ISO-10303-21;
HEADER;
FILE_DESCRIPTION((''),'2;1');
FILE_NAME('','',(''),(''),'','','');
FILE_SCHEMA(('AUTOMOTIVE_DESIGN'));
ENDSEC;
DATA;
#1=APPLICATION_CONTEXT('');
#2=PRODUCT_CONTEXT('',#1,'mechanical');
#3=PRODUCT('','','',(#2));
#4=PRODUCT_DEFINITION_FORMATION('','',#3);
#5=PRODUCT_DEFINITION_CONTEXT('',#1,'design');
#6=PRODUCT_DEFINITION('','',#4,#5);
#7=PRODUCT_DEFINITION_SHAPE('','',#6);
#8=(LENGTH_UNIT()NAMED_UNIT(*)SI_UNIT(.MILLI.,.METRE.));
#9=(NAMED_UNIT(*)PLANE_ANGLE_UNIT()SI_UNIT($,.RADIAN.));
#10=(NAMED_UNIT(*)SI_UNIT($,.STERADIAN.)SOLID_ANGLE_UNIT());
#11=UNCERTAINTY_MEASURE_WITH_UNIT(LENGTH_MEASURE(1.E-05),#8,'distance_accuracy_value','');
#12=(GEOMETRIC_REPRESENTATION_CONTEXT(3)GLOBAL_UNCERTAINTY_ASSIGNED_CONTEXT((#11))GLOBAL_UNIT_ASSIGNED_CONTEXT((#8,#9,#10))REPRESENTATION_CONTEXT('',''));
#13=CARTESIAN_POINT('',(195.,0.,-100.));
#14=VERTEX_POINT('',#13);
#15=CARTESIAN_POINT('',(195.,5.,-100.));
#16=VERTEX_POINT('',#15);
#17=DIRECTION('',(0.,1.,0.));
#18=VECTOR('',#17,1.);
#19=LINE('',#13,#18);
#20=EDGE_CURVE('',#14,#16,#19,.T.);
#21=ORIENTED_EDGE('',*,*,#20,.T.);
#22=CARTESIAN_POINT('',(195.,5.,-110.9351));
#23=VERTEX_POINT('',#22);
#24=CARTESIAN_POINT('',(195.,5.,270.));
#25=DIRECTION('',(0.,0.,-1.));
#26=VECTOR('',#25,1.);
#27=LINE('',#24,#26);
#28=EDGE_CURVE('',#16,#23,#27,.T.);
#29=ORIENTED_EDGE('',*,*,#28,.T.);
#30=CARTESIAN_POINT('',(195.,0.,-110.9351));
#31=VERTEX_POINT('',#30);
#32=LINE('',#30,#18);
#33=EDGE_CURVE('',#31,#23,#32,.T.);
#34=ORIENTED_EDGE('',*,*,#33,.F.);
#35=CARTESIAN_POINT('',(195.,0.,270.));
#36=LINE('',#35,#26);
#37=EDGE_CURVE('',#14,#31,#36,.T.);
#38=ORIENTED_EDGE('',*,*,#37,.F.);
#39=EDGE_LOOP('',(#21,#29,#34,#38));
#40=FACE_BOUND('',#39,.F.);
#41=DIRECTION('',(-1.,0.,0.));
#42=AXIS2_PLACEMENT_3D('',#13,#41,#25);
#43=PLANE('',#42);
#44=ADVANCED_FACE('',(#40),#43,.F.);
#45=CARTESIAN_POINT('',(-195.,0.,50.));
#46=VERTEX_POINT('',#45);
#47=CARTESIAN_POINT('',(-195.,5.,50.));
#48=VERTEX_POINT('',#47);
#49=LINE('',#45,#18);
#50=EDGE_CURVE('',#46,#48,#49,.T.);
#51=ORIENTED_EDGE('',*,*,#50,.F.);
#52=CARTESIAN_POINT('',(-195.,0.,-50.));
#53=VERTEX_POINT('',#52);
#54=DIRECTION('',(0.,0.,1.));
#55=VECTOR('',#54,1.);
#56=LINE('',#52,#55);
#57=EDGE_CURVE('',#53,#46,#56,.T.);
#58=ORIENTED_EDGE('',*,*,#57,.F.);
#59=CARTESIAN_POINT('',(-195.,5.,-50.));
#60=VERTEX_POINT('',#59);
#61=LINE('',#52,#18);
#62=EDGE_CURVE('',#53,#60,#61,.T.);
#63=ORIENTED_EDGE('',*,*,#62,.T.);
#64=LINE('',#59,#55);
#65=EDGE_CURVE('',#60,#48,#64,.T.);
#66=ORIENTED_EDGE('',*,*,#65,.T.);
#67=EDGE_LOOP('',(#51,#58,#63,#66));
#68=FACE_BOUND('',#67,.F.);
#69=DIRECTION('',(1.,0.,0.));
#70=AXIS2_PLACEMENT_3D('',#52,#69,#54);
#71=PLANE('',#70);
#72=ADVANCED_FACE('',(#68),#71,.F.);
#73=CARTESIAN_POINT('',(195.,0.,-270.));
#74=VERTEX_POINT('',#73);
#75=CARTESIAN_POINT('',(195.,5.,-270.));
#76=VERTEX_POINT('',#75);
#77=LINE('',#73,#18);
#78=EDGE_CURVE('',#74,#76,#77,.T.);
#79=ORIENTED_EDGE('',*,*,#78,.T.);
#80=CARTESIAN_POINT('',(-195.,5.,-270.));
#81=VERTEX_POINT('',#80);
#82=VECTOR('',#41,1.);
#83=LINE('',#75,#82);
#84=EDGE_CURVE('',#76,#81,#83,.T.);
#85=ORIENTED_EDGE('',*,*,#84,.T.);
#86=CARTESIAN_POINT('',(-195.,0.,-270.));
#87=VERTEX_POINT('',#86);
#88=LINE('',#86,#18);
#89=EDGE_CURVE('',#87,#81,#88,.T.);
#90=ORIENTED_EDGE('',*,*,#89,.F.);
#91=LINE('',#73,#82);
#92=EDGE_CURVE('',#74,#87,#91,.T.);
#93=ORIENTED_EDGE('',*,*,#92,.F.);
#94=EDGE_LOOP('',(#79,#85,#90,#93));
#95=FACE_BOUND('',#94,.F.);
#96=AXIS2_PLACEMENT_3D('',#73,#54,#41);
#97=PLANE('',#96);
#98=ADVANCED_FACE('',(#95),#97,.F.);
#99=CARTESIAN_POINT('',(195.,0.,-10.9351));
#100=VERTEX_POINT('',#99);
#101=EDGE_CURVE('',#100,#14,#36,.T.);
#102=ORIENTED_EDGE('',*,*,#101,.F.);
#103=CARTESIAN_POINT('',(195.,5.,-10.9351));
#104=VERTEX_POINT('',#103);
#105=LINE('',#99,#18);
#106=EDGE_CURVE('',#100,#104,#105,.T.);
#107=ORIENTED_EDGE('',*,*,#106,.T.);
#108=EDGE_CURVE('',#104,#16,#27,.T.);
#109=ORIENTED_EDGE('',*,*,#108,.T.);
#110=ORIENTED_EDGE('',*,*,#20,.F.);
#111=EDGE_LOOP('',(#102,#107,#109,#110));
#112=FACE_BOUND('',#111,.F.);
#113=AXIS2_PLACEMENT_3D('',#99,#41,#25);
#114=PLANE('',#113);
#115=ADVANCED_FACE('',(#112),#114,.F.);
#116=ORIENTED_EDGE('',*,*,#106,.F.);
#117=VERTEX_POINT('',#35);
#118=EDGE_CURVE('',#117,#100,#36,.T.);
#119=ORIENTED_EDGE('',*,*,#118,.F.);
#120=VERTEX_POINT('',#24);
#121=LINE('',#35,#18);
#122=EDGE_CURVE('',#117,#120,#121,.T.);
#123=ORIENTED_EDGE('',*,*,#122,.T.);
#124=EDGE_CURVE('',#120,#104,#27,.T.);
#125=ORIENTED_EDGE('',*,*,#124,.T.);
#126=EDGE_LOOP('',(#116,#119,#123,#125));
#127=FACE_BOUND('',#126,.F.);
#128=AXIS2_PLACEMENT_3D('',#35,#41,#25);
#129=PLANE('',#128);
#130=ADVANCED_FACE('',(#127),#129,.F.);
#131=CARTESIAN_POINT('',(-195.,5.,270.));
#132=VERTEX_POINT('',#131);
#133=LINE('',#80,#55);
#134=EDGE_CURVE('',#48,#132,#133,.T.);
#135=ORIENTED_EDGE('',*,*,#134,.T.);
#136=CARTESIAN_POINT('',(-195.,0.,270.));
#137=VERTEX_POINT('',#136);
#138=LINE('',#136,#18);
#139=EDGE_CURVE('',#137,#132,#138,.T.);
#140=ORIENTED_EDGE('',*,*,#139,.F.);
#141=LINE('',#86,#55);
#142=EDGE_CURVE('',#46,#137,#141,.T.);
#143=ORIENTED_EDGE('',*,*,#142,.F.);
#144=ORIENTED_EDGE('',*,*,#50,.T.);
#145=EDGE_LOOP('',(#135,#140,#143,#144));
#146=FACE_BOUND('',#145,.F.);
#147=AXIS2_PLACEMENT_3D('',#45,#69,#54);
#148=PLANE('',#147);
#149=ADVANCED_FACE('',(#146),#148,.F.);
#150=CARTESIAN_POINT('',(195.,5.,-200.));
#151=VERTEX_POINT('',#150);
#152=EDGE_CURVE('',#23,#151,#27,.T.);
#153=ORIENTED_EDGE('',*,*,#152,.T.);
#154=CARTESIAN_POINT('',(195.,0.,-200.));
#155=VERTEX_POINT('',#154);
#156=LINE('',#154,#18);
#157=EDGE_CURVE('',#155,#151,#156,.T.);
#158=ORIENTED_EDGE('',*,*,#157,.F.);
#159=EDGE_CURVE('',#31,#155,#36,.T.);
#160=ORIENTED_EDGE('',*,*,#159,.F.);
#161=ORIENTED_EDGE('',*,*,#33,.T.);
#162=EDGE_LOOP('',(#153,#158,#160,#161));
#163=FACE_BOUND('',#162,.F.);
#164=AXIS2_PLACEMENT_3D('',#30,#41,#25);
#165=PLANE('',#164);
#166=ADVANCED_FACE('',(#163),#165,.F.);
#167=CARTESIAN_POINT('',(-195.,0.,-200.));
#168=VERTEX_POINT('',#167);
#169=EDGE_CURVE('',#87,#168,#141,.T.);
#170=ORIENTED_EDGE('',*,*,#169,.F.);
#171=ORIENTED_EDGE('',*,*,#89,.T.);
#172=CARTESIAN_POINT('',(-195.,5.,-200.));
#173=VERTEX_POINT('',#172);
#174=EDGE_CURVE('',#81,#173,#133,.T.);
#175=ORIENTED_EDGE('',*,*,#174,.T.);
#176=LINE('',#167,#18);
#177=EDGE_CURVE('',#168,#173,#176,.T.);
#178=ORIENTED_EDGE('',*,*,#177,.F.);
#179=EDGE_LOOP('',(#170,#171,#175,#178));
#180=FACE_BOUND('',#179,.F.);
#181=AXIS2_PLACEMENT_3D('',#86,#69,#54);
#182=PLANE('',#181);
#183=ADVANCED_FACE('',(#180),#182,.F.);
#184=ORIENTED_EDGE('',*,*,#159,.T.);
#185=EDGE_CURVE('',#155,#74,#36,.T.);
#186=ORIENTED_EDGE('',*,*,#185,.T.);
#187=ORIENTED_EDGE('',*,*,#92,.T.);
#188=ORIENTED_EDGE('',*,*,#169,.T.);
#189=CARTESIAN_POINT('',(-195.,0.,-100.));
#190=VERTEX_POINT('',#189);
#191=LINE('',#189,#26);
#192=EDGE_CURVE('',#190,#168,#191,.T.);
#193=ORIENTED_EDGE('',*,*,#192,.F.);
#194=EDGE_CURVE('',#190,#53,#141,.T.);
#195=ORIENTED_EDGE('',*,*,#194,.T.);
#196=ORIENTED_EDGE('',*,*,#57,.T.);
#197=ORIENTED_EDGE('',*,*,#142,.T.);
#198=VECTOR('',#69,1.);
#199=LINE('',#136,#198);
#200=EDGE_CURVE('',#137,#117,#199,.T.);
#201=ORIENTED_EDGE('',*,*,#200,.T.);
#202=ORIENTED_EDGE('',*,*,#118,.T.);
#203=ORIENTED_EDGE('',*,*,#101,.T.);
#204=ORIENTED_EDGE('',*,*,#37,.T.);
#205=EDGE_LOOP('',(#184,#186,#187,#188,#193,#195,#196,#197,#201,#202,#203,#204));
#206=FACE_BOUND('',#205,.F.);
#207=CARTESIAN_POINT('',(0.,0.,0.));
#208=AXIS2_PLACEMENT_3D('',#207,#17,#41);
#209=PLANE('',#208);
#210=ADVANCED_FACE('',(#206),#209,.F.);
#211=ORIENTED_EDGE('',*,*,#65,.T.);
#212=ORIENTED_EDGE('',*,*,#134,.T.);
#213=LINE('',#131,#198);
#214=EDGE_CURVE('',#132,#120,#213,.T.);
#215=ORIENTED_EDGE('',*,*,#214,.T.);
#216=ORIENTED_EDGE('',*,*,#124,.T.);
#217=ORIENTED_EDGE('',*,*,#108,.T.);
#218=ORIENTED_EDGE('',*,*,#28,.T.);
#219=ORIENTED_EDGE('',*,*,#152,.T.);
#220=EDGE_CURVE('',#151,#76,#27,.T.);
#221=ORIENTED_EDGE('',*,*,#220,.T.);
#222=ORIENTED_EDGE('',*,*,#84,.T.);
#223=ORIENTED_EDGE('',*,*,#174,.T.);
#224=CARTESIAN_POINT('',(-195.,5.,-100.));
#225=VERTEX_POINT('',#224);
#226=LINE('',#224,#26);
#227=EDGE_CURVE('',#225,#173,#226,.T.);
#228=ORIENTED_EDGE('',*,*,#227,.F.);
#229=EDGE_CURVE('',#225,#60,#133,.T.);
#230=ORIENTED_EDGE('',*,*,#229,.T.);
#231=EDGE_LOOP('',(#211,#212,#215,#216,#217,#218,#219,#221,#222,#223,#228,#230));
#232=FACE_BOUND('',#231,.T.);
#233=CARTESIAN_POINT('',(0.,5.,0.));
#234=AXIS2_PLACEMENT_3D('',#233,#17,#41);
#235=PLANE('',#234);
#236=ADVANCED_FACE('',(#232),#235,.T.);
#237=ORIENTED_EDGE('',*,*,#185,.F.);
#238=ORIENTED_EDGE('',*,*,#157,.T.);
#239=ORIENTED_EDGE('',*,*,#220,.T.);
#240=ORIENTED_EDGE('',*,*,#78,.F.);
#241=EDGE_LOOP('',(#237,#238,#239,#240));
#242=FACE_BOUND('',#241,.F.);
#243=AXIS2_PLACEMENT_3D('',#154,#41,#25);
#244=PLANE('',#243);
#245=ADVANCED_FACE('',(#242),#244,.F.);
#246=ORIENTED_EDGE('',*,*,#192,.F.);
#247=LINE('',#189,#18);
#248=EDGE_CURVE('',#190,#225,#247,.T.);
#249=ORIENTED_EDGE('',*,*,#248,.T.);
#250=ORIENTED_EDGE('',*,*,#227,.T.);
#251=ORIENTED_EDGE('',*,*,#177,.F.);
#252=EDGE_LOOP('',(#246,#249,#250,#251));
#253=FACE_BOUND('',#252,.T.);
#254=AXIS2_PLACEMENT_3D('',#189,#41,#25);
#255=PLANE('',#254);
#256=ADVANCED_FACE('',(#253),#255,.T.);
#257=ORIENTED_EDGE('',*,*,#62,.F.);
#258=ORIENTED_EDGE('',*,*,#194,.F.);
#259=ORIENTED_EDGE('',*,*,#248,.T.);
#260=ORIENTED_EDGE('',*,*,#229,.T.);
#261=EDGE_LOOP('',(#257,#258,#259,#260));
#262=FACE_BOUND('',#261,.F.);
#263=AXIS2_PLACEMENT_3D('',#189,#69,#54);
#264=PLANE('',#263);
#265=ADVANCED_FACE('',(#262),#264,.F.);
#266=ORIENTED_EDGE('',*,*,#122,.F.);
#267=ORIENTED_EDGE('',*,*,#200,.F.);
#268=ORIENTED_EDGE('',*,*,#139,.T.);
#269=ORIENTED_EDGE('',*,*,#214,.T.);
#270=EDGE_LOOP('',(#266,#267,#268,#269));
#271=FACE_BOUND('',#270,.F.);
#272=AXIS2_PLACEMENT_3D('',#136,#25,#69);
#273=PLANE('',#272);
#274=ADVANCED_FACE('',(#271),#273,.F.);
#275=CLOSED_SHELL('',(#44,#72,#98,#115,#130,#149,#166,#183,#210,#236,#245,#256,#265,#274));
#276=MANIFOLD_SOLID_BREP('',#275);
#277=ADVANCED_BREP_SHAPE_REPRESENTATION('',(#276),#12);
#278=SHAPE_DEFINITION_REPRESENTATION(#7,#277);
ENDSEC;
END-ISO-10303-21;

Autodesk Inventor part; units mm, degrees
ref_plane "YZ Plane" through (0, 0, 0) normal (1, 0, 0) x (0, 1, 0)
ref_plane "XZ Plane" through (0, 0, 0) normal (0, 1, 0) x (-1, 0, 0)
ref_plane "XY Plane" through (0, 0, 0) normal (0, 0, 1) x (1, 0, 0)
sketch "Sketch1" plane through (0, 0, 0) normal (0, 1, 0) x (-1, 0, 0)
  line L0 (195, 270) -> (-195, 270)
  line L1 (-195, 270) -> (-195, -270)
  line L2 (-195, -270) -> (195, -270)
  line L3 (195, -270) -> (195, 270)
  line L4 (195, 270) -> (-195, -270) construction
  line L5 (-195, 270) -> (195, -270) construction
  line L6 (-195, -10.9351) -> (-195, -110.9351)
  line L7 (195, -50) -> (195, 50)
  line L8 (-195, -200) -> (-195, -100)
  line L9 (195, -100) -> (195, -200)
  point P0 (0, 0)
  dimension "d0" = 390
  dimension "d1" = 540
extrude "Extrusion1" add sketch "Sketch1" along normal blind 5
properties part number "Bottom_Plate_Acryl" material "Acetal Resin, Black"
